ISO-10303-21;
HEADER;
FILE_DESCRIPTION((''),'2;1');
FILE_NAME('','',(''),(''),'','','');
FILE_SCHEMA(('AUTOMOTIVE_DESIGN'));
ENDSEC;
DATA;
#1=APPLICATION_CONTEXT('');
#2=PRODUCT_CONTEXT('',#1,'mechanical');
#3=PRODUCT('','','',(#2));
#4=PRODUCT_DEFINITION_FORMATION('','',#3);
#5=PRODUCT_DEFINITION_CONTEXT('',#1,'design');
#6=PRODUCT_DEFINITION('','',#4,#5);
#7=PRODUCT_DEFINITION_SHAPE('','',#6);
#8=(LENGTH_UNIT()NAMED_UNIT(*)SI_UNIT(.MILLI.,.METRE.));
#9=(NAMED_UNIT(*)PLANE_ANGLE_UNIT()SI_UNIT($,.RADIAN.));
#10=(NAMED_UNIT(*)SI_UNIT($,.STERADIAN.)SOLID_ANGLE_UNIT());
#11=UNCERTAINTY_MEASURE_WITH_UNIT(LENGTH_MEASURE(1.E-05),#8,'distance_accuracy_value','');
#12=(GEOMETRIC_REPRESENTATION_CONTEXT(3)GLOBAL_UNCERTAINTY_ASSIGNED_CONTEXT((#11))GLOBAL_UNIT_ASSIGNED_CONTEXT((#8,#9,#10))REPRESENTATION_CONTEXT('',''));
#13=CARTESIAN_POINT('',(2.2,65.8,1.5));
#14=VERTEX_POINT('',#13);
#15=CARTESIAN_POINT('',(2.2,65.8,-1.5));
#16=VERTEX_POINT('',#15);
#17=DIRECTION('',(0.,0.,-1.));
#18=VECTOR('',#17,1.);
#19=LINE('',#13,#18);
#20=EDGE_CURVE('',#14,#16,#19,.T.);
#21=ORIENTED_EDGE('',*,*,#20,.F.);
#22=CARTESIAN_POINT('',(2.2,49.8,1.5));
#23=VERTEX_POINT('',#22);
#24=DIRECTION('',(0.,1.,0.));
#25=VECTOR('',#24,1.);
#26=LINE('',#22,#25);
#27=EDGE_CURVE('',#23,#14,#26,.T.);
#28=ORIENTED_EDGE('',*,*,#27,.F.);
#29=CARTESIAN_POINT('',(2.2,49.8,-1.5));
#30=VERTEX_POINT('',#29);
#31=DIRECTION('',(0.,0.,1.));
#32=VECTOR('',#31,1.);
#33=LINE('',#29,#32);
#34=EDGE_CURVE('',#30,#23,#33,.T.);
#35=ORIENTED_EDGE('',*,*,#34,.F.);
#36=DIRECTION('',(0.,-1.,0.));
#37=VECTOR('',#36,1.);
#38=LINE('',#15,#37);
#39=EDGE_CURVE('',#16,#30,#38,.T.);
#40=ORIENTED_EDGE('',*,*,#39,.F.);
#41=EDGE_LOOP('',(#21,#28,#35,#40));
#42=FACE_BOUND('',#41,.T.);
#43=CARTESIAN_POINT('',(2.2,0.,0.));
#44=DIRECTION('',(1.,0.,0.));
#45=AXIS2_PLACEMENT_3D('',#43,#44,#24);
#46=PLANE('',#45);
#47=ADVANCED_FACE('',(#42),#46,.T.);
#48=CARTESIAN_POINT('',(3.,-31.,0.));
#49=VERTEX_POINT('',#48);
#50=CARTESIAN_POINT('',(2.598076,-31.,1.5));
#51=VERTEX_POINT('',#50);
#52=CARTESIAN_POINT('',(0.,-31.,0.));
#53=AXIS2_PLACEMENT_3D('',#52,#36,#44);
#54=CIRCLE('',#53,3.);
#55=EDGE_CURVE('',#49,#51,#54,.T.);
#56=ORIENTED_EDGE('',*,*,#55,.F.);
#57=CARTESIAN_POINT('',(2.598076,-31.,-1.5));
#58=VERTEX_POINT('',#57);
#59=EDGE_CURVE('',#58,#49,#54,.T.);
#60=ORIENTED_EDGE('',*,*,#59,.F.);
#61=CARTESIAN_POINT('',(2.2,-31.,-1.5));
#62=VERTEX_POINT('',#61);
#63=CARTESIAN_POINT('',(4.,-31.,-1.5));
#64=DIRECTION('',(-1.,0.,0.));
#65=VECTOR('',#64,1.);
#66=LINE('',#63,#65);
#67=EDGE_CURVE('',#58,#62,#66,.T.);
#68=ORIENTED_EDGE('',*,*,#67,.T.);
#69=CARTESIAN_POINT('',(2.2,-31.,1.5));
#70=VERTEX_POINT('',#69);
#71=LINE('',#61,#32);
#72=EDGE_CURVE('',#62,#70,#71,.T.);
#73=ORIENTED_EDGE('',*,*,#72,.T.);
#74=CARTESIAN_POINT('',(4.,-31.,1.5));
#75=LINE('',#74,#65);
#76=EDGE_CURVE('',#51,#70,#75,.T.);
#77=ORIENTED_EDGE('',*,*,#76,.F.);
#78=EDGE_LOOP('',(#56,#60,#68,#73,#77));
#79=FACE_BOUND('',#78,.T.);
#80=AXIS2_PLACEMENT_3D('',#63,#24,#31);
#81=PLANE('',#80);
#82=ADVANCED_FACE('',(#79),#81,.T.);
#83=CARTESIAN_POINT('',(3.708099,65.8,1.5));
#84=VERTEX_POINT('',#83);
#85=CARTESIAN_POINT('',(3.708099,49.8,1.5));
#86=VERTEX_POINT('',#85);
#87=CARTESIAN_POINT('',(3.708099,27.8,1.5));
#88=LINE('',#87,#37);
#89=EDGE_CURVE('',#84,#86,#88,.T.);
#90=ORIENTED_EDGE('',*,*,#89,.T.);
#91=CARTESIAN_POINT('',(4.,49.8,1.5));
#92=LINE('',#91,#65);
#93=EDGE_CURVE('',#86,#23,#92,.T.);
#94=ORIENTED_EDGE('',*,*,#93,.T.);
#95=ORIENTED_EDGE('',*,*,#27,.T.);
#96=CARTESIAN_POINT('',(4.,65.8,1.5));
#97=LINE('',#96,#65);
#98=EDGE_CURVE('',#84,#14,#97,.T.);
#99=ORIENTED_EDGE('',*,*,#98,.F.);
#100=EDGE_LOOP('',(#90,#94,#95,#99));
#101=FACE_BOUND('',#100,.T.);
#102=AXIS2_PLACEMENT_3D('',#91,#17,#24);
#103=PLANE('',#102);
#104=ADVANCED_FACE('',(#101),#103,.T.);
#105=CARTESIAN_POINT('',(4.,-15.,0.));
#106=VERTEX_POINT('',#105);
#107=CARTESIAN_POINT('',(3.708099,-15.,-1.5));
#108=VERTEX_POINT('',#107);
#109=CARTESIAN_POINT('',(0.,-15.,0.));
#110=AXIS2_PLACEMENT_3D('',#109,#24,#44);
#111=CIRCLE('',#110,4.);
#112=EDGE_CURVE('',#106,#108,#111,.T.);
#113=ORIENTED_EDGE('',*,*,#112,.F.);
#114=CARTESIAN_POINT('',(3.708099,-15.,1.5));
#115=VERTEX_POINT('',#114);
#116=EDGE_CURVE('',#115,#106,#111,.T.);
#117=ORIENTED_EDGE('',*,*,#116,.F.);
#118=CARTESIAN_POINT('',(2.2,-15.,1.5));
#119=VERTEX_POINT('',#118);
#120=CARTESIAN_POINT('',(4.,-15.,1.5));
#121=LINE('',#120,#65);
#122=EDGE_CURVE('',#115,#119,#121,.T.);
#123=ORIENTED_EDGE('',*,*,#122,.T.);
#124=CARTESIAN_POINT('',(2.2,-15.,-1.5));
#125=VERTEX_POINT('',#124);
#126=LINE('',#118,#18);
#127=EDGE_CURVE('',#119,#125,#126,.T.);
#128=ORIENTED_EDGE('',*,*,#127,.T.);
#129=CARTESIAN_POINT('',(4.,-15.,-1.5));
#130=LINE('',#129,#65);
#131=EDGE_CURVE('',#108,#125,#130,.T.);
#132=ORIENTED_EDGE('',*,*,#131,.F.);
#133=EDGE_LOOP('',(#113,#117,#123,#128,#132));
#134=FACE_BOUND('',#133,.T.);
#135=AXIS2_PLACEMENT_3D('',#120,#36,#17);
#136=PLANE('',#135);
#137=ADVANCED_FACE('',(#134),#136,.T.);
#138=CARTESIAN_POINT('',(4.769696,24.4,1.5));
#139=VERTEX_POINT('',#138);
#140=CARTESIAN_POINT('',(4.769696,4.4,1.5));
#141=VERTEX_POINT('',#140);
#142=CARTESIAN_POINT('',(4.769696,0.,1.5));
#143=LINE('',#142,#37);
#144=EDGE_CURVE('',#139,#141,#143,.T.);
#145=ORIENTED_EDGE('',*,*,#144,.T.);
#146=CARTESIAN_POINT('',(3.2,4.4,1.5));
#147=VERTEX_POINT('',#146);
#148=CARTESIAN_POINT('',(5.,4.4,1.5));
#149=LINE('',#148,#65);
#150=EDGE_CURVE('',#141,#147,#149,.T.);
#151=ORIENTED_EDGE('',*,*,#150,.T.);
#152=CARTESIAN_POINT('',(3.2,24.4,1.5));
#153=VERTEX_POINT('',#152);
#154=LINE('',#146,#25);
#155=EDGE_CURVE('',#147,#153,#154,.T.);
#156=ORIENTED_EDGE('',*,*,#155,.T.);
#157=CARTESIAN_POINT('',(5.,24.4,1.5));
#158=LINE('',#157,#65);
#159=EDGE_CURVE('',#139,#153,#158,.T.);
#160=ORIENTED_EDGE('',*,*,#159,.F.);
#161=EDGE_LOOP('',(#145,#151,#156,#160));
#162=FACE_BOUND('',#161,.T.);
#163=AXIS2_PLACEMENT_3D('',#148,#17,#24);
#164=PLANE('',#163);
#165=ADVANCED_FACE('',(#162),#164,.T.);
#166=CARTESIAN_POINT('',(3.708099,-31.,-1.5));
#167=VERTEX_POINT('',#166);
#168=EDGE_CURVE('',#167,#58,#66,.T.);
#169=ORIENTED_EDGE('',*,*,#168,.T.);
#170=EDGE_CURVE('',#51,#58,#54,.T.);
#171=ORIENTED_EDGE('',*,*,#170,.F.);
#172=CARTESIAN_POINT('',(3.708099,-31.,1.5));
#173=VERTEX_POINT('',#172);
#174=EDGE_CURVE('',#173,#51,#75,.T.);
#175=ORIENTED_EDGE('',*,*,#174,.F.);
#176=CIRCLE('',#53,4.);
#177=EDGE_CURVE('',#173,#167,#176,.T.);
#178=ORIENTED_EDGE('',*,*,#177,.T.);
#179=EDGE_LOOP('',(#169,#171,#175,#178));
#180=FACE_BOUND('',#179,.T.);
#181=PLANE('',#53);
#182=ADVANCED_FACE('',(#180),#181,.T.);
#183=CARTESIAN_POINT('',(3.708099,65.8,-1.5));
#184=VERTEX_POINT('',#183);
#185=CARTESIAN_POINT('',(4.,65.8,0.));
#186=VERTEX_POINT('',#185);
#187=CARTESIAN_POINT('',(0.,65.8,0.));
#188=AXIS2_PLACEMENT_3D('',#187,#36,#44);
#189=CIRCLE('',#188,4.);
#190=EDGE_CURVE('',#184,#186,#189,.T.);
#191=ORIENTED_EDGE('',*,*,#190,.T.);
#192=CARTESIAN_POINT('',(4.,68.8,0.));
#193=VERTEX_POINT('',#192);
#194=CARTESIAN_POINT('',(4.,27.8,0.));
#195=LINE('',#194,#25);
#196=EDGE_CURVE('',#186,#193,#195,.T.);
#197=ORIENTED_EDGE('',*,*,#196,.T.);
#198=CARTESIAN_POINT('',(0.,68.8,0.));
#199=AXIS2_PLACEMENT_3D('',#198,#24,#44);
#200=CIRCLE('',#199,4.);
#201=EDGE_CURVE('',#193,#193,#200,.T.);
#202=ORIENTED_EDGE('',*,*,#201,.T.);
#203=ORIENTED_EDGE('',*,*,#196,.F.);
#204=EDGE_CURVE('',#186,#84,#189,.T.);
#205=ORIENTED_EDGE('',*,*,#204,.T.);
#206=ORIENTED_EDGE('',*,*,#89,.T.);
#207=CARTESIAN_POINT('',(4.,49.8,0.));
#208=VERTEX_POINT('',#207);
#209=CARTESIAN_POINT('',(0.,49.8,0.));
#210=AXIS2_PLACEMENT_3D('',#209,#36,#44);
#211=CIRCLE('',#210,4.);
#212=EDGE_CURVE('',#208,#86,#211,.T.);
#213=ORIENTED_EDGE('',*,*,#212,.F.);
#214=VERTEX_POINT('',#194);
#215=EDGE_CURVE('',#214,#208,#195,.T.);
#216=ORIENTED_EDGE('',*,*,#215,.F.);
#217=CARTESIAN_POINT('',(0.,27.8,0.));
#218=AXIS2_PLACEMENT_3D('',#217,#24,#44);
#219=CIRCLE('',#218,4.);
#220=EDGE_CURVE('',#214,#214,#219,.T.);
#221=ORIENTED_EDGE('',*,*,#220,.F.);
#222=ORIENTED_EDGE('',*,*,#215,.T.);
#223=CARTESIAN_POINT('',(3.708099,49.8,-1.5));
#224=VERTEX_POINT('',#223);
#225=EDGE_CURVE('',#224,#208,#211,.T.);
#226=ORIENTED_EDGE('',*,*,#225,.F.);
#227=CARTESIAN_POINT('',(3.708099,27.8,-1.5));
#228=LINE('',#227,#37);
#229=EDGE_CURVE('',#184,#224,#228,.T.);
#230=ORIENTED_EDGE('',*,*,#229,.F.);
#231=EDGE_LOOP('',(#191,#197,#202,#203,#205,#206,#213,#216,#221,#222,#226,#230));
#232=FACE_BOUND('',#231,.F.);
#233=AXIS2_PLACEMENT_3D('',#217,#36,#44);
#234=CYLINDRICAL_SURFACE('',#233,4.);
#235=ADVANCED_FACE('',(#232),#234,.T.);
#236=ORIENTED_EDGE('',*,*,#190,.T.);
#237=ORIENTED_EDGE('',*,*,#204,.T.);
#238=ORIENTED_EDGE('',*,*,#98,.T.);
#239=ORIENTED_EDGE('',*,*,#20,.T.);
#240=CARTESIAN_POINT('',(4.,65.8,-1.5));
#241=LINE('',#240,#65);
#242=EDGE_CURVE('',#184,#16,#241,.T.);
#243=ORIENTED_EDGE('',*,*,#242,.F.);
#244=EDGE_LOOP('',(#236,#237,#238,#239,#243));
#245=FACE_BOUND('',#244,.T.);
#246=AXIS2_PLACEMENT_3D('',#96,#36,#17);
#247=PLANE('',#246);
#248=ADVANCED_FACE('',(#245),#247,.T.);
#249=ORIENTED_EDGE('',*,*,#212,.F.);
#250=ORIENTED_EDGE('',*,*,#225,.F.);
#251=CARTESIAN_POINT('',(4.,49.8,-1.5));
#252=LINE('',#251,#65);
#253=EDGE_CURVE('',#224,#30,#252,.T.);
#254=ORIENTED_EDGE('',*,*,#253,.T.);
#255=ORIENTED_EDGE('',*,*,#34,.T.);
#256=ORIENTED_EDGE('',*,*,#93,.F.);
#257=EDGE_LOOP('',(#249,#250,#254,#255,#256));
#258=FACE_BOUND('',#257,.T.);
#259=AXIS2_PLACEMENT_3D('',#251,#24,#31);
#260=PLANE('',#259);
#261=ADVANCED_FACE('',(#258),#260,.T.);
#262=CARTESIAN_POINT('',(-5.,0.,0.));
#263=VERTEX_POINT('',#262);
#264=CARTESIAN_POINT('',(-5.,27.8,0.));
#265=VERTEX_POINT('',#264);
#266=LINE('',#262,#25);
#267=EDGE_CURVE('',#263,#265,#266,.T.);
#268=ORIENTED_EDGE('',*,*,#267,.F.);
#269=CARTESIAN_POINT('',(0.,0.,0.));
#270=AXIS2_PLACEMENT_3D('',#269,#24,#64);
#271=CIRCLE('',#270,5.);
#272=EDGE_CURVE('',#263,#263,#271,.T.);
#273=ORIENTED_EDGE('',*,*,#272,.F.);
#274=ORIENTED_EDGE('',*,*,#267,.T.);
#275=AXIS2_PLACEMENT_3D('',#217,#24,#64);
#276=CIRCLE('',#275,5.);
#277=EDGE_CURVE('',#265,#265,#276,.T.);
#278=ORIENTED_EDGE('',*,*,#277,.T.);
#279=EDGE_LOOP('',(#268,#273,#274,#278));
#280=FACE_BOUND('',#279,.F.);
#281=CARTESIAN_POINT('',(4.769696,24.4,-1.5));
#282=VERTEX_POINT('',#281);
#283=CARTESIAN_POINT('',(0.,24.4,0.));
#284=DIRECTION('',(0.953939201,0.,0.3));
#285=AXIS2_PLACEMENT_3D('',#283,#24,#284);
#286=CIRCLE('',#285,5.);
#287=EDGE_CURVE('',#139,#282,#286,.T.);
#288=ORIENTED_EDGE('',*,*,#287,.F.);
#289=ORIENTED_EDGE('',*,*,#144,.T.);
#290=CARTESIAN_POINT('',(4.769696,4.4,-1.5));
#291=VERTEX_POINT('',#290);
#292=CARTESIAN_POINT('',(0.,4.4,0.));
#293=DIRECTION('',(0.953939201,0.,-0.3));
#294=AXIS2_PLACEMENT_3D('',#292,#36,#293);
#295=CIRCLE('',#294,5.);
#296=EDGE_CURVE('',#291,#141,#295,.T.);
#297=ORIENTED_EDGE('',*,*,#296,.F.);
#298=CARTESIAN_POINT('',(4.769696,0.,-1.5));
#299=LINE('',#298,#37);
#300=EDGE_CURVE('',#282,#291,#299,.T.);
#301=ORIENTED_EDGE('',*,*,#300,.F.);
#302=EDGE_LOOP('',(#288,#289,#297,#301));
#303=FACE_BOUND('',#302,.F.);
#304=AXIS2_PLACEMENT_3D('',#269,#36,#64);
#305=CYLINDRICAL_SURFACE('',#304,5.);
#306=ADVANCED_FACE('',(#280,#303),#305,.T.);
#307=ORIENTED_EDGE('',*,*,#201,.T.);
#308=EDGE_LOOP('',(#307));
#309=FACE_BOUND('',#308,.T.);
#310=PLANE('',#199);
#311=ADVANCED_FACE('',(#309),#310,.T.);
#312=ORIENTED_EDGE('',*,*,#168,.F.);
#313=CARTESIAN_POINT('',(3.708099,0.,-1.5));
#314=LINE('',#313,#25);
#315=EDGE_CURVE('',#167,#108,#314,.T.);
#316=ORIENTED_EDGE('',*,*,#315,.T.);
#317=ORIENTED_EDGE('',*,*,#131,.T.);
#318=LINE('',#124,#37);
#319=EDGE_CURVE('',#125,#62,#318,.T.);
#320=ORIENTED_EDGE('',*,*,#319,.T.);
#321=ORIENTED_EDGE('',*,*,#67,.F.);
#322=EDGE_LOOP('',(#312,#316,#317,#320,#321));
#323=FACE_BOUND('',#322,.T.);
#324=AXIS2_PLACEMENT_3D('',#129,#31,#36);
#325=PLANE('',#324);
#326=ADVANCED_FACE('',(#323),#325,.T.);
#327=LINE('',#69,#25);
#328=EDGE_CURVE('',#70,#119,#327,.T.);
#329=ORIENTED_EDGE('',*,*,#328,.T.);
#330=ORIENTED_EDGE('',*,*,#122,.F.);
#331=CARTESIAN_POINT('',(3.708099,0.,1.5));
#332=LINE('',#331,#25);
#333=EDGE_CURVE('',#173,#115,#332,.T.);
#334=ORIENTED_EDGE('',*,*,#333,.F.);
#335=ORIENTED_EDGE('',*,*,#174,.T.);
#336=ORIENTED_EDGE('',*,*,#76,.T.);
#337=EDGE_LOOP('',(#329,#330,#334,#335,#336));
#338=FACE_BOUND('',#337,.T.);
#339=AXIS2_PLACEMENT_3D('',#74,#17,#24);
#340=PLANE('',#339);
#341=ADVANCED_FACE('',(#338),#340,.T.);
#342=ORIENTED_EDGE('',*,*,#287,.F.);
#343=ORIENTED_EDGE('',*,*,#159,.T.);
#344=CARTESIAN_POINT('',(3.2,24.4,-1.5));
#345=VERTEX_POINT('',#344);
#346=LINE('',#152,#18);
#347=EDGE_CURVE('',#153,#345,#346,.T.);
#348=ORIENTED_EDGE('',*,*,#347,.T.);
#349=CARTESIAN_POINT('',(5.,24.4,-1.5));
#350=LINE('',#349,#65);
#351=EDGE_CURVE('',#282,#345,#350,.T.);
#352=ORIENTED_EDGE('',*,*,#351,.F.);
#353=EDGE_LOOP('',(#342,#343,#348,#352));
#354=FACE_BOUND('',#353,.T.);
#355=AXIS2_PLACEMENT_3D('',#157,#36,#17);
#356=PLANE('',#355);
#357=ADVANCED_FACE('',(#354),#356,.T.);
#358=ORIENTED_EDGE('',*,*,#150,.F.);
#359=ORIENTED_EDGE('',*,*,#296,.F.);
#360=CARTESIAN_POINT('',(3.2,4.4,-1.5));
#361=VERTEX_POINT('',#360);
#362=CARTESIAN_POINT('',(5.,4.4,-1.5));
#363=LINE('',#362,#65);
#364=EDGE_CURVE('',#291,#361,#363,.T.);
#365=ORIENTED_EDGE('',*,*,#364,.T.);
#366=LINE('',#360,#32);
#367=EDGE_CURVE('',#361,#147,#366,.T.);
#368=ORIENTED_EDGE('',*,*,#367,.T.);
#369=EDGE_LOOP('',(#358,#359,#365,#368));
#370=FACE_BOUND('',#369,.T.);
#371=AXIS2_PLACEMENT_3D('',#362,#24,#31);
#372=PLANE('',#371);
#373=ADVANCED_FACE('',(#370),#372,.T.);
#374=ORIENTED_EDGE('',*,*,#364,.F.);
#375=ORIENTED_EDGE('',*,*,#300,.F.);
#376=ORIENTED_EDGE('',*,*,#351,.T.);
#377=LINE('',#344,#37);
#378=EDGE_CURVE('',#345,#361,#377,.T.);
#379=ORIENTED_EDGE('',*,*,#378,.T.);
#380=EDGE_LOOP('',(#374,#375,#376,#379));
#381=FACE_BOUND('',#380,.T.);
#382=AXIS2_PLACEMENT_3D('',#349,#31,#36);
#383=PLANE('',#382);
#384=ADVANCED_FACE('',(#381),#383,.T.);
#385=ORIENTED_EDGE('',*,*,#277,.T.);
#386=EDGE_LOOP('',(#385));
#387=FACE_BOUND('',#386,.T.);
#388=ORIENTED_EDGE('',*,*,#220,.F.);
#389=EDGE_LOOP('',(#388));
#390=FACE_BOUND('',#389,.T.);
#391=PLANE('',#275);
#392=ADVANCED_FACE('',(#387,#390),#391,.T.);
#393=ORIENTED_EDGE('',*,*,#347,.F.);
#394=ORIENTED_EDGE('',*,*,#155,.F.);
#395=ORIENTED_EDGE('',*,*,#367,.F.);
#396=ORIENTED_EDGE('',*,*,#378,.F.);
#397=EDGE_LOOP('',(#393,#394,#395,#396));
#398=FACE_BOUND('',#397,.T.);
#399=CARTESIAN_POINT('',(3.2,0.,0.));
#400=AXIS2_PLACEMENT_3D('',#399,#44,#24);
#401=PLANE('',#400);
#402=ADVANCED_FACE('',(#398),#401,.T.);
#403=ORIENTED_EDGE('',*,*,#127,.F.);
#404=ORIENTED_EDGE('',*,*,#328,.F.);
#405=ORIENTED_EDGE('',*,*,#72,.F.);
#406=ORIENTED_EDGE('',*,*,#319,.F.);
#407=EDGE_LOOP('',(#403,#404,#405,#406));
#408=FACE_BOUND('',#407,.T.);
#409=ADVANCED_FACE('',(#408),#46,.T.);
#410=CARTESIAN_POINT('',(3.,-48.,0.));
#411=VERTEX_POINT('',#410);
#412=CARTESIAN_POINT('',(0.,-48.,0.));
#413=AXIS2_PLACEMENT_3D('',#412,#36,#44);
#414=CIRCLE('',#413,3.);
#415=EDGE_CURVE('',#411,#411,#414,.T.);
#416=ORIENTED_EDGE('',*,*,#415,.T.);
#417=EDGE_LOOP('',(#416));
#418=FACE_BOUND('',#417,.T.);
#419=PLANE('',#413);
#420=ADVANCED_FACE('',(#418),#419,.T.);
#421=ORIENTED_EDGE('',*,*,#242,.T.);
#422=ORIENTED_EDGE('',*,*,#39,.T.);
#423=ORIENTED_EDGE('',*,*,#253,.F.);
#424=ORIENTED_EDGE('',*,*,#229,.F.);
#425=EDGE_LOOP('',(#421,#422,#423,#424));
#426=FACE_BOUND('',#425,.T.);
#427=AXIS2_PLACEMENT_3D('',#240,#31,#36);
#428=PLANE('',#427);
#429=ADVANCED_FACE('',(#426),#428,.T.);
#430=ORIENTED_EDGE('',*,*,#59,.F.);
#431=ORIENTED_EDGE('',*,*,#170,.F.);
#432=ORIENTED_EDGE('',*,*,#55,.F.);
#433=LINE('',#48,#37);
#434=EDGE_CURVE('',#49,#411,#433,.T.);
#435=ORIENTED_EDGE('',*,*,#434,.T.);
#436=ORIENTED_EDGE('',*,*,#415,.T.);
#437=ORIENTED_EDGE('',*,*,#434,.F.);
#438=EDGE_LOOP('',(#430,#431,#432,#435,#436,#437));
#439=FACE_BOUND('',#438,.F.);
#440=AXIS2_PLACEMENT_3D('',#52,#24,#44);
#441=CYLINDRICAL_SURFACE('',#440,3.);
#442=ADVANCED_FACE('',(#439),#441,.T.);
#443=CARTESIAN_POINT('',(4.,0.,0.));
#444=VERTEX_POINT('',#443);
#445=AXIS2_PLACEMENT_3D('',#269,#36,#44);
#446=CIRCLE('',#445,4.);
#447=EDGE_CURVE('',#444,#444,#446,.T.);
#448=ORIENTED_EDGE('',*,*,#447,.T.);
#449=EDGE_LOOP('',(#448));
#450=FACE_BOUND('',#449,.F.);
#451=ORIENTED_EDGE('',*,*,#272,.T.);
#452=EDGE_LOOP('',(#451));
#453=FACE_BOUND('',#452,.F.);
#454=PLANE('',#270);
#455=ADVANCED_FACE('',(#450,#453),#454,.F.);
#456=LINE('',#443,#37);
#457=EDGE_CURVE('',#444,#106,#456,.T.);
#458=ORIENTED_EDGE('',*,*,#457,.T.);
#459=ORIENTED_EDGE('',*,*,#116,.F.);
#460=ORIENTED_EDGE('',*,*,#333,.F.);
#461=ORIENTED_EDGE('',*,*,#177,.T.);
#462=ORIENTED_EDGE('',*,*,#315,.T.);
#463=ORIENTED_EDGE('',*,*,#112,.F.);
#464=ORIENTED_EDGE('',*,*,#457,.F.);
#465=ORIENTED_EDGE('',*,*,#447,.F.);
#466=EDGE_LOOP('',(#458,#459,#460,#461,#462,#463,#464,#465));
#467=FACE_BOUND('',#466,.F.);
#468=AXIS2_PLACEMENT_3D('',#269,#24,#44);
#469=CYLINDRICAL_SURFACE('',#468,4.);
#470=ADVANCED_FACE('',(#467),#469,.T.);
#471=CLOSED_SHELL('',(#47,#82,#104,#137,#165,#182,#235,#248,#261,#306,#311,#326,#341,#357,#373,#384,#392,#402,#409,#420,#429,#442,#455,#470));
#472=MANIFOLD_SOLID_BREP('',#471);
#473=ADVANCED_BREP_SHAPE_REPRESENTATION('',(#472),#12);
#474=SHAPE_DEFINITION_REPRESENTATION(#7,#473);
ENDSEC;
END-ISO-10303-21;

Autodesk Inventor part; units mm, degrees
ref_plane "YZ Plane" through (0, 0, 0) normal (1, 0, 0) x (0, 1, 0)
ref_plane "XZ Plane" through (0, 0, 0) normal (0, 1, 0) x (-1, 0, 0)
sketch "スケッチ1" plane through (0, 0, 0) normal (0, 1, 0) x (-1, 0, 0)
  circle A0 centre (0, 0) radius 5
  dimension "d0" = 10
extrude "押し出し1" add sketch "スケッチ1" along normal blind 27.8
sketch "スケッチ2" plane through (0, 27.8, 0) normal (0, 1, 0) x (1, 0, 0)
  circle A0 centre (0, 0) radius 4
  dimension "d3" = 8
extrude "押し出し2" add sketch "スケッチ2" along normal blind 41
sketch "スケッチ3" plane through (0, 68.8, 0) normal (0, 1, 0) x (1, 0, 0)
  circle A0 centre (0, 0) radius 3
  dimension "d6" = 6
extrude "押し出し3" [suppressed]
sketch "スケッチ4" plane through (0, 0, 0) normal (0, -1, 0) x (1, 0, 0)
  circle A0 centre (0, 0) radius 4 projected
  circle A1 centre (0, 0) radius 4
  dimension "d9" = 8
extrude "押し出し4" add sketch "スケッチ4" along normal blind 31
sketch "スケッチ5" plane through (0, -31, 0) normal (0, -1, 0) x (1, 0, 0)
  circle A0 centre (0, 0) radius 4 projected
  circle A1 centre (0, 0) radius 3
  dimension "d12" = 6
extrude "押し出し5" add sketch "スケッチ5" along normal blind 17 contours A1
sketch "スケッチ6" plane through (0, 0, 0) normal (0, -1, 0) x (1, 0, 0)
  circle A0 centre (0, 0) radius 5 projected
  point P0 (5, 0)
ref_plane "作業平面1" through (5, 0, 0) normal (1, 0, 0) x (0, 1, 0)
sketch "スケッチ7" plane through (5, 0, 0) normal (1, 0, 0) x (0, 1, 0)
  line L0 (4.4, 1.5) -> (24.4, 1.5)
  line L1 (24.4, 1.5) -> (24.4, -1.5)
  line L2 (24.4, -1.5) -> (4.4, -1.5)
  line L3 (4.4, -1.5) -> (4.4, 1.5)
  line L4 (4.4, 1.5) -> (24.4, -1.5) construction
  line L5 (24.4, 1.5) -> (4.4, -1.5) construction
  line L6 (0, -5) -> (0, 5) projected
  point P0 (0, 0)
  point P1 (14.4, 0)
  dimension "d15" = 20
  dimension "d16" = 3
  dimension "d17" = 4.4
extrude "押し出し6" cut sketch "スケッチ7" against normal blind 1.8
sketch "スケッチ8" plane through (5, 0, 0) normal (1, 0, 0) x (0, 1, 0)
  point P0 (0, 0)
sketch "スケッチ9" plane through (5, 0, 0) normal (1, 0, 0) x (0, 1, 0)
  point P0 (0, 0)
ref_plane "作業平面2" through (4, 0, 0) normal (1, 0, 0) x (0, 1, 0)
sketch "スケッチ10" plane through (4, 0, 0) normal (1, 0, 0) x (0, 1, 0)
  line L0 (49.8, 1.5) -> (65.8, 1.5)
  line L1 (65.8, 1.5) -> (65.8, -1.5)
  line L2 (65.8, -1.5) -> (49.8, -1.5)
  line L3 (49.8, -1.5) -> (49.8, 1.5)
  line L4 (49.8, 1.5) -> (65.8, -1.5) construction
  line L5 (65.8, 1.5) -> (49.8, -1.5) construction
  line L6 (-31, 1.5) -> (-15, 1.5)
  line L7 (-15, 1.5) -> (-15, -1.5)
  line L8 (-15, -1.5) -> (-31, -1.5)
  line L9 (-31, -1.5) -> (-31, 1.5)
  line L10 (-31, 1.5) -> (-15, -1.5) construction
  line L11 (-15, 1.5) -> (-31, -1.5) construction
  line L12 (-31, 4) -> (-31, -4) projected
  line L13 (68.8, -4) -> (68.8, 4) projected
  point P0 (0, 0)
  point P1 (57.8, 0)
  point P2 (-23, 0)
  dimension "d21" = 16
  dimension "d22" = 3
  dimension "d23" = 16
  dimension "d24" = 3
  dimension "d25" = 0
  dimension "d26" = 3
extrude "押し出し8" cut sketch "スケッチ10" against normal blind 1.8
properties part number "shoulder1_shaft" material "鋼、炭素鋼"
